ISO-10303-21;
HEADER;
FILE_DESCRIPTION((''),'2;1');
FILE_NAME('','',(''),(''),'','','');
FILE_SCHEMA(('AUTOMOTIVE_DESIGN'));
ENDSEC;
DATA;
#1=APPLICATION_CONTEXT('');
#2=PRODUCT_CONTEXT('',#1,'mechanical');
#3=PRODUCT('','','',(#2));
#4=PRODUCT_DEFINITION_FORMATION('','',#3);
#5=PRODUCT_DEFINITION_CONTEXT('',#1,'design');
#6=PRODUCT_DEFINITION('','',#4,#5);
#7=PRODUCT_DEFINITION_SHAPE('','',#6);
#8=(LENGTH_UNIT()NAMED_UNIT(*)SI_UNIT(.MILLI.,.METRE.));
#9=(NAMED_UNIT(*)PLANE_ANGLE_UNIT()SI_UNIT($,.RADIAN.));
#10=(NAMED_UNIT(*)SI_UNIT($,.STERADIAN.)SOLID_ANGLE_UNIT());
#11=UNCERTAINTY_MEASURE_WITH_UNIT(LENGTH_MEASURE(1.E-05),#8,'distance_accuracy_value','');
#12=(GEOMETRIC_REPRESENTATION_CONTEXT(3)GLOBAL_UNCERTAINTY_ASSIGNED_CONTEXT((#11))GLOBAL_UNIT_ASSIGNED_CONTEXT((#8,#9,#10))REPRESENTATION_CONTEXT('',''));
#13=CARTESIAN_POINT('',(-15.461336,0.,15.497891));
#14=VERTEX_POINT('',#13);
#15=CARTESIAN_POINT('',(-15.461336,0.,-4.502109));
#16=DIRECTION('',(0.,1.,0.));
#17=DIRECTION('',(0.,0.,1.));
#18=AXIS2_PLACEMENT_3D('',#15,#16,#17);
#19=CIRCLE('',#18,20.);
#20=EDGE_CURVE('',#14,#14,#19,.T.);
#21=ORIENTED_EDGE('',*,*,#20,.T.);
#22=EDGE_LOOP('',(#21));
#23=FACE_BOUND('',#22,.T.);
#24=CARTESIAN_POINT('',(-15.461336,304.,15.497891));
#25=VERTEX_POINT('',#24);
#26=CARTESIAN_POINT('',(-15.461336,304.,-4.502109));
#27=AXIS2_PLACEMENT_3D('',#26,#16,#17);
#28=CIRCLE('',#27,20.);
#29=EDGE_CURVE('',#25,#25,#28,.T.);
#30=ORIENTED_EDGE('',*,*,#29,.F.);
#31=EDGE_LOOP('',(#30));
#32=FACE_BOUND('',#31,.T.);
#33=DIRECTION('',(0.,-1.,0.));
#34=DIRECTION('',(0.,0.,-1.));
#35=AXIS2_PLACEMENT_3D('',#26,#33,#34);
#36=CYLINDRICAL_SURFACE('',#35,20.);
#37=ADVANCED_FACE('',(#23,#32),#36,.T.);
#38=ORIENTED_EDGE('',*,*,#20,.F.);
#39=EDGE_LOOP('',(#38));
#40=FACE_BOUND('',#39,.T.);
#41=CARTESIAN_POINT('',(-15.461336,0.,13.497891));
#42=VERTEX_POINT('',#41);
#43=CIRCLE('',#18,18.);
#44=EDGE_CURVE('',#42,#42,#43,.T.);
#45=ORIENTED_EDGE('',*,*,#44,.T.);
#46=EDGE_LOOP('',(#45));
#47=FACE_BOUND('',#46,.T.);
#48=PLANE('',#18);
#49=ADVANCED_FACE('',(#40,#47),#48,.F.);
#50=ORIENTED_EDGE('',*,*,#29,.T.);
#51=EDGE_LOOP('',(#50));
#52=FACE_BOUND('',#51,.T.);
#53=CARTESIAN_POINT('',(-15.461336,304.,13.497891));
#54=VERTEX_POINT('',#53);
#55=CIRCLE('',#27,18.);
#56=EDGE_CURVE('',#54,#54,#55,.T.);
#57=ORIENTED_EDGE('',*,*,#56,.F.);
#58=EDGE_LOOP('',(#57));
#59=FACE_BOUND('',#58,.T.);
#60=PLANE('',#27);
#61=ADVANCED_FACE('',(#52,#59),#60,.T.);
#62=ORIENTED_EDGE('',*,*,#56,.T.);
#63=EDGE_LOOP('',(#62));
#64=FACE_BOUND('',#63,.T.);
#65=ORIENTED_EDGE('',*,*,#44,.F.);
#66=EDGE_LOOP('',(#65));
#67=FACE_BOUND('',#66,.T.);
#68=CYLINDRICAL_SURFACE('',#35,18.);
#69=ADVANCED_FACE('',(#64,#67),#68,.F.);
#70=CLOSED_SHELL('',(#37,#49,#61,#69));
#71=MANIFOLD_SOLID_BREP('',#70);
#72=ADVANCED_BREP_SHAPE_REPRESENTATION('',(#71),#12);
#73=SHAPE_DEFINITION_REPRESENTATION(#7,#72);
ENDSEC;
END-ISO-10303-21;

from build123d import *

# Parameters (mm, degrees)
SKETCH1_R           = 20
SKETCH1_R_2         = 18
BOSS_EXTRUDE1_DEPTH = 304


with BuildPart() as part:
    # Sketch1 → Boss-Extrude1 (new body)
    with BuildSketch(Plane(origin=(0, 0, 0), x_dir=(1, 0, 0), z_dir=(0, 1, 0))):
        with Locations((-15.461336204, 4.502108779)):
            Circle(SKETCH1_R)
        with Locations((-15.461336204, 4.502108779)):
            Circle(SKETCH1_R_2, mode=Mode.SUBTRACT)
    extrude(amount=BOSS_EXTRUDE1_DEPTH)


solid = part.part
